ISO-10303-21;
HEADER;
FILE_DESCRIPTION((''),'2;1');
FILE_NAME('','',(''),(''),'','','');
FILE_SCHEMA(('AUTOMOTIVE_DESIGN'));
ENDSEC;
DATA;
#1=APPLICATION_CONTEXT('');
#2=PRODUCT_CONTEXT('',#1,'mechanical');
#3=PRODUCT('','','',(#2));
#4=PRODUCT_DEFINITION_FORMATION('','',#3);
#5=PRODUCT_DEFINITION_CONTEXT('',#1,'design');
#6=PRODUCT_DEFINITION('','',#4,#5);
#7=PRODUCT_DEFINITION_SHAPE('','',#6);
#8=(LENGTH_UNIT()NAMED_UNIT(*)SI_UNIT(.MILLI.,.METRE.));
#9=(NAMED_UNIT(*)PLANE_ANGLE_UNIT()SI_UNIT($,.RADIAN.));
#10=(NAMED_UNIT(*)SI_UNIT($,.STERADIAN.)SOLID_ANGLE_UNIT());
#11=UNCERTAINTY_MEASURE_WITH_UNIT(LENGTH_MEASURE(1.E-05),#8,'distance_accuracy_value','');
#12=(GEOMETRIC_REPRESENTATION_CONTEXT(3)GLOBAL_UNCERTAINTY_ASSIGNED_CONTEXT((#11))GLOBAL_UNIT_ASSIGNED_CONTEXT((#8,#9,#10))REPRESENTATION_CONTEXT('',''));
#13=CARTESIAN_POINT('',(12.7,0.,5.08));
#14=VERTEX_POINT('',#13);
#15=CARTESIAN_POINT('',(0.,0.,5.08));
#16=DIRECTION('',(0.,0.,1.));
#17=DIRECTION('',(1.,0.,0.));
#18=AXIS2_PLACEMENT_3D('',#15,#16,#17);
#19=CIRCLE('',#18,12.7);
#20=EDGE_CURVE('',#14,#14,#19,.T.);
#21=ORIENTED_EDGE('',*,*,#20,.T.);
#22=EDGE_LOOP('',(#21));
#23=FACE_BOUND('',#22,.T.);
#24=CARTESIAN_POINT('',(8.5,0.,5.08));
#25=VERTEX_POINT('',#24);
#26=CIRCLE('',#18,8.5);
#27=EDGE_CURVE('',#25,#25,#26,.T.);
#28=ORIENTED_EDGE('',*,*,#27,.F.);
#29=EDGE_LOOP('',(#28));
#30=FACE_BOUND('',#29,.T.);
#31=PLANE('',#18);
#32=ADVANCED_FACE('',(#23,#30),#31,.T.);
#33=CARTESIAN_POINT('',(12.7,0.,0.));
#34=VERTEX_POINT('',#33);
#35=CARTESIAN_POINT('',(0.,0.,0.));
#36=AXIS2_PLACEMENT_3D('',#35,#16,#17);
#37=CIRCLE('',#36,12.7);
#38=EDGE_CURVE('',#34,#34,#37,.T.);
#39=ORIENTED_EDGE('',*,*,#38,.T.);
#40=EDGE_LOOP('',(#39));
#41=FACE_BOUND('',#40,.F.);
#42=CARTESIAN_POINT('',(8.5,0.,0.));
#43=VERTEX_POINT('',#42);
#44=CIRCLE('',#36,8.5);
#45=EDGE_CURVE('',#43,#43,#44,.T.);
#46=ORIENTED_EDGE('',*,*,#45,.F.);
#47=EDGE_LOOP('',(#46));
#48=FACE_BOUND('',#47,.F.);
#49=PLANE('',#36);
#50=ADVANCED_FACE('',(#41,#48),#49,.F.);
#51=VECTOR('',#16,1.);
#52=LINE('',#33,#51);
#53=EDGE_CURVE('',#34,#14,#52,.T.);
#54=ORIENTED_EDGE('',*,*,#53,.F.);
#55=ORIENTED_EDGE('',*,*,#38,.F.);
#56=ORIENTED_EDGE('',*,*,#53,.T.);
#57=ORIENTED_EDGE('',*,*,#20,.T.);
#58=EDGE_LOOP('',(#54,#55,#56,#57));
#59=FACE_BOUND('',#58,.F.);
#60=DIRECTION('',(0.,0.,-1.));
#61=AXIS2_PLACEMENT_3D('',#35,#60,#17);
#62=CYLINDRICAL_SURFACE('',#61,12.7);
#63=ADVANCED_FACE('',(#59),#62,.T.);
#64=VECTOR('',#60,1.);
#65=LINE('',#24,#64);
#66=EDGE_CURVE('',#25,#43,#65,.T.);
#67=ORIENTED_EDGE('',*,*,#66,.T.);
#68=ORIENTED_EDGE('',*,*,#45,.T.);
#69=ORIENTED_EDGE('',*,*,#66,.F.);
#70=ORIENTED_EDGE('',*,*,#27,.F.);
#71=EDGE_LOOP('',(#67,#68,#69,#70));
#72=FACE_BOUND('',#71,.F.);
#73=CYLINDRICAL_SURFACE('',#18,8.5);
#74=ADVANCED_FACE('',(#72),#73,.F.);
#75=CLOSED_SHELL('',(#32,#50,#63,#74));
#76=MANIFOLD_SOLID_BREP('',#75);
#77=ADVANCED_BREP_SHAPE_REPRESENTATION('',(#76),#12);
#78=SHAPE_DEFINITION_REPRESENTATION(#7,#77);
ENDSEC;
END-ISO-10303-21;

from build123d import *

# Parameters (mm, degrees)
F0_R     = 12.7
F1_DEPTH = 5.08
F2_R     = 8.5
F3_DEPTH = 5.08


with BuildPart() as f1:
    # F0 (on Top) → F1 (new body)
    with BuildSketch(Plane.XY):
        Circle(F0_R)
    extrude(amount=F1_DEPTH)

    # F2 (on face) → F3 (cut, through all)
    with BuildSketch(Plane.XY.offset(5.08)):
        Circle(F2_R)
    extrude(amount=-F3_DEPTH, mode=Mode.SUBTRACT)


solid = f1.part
